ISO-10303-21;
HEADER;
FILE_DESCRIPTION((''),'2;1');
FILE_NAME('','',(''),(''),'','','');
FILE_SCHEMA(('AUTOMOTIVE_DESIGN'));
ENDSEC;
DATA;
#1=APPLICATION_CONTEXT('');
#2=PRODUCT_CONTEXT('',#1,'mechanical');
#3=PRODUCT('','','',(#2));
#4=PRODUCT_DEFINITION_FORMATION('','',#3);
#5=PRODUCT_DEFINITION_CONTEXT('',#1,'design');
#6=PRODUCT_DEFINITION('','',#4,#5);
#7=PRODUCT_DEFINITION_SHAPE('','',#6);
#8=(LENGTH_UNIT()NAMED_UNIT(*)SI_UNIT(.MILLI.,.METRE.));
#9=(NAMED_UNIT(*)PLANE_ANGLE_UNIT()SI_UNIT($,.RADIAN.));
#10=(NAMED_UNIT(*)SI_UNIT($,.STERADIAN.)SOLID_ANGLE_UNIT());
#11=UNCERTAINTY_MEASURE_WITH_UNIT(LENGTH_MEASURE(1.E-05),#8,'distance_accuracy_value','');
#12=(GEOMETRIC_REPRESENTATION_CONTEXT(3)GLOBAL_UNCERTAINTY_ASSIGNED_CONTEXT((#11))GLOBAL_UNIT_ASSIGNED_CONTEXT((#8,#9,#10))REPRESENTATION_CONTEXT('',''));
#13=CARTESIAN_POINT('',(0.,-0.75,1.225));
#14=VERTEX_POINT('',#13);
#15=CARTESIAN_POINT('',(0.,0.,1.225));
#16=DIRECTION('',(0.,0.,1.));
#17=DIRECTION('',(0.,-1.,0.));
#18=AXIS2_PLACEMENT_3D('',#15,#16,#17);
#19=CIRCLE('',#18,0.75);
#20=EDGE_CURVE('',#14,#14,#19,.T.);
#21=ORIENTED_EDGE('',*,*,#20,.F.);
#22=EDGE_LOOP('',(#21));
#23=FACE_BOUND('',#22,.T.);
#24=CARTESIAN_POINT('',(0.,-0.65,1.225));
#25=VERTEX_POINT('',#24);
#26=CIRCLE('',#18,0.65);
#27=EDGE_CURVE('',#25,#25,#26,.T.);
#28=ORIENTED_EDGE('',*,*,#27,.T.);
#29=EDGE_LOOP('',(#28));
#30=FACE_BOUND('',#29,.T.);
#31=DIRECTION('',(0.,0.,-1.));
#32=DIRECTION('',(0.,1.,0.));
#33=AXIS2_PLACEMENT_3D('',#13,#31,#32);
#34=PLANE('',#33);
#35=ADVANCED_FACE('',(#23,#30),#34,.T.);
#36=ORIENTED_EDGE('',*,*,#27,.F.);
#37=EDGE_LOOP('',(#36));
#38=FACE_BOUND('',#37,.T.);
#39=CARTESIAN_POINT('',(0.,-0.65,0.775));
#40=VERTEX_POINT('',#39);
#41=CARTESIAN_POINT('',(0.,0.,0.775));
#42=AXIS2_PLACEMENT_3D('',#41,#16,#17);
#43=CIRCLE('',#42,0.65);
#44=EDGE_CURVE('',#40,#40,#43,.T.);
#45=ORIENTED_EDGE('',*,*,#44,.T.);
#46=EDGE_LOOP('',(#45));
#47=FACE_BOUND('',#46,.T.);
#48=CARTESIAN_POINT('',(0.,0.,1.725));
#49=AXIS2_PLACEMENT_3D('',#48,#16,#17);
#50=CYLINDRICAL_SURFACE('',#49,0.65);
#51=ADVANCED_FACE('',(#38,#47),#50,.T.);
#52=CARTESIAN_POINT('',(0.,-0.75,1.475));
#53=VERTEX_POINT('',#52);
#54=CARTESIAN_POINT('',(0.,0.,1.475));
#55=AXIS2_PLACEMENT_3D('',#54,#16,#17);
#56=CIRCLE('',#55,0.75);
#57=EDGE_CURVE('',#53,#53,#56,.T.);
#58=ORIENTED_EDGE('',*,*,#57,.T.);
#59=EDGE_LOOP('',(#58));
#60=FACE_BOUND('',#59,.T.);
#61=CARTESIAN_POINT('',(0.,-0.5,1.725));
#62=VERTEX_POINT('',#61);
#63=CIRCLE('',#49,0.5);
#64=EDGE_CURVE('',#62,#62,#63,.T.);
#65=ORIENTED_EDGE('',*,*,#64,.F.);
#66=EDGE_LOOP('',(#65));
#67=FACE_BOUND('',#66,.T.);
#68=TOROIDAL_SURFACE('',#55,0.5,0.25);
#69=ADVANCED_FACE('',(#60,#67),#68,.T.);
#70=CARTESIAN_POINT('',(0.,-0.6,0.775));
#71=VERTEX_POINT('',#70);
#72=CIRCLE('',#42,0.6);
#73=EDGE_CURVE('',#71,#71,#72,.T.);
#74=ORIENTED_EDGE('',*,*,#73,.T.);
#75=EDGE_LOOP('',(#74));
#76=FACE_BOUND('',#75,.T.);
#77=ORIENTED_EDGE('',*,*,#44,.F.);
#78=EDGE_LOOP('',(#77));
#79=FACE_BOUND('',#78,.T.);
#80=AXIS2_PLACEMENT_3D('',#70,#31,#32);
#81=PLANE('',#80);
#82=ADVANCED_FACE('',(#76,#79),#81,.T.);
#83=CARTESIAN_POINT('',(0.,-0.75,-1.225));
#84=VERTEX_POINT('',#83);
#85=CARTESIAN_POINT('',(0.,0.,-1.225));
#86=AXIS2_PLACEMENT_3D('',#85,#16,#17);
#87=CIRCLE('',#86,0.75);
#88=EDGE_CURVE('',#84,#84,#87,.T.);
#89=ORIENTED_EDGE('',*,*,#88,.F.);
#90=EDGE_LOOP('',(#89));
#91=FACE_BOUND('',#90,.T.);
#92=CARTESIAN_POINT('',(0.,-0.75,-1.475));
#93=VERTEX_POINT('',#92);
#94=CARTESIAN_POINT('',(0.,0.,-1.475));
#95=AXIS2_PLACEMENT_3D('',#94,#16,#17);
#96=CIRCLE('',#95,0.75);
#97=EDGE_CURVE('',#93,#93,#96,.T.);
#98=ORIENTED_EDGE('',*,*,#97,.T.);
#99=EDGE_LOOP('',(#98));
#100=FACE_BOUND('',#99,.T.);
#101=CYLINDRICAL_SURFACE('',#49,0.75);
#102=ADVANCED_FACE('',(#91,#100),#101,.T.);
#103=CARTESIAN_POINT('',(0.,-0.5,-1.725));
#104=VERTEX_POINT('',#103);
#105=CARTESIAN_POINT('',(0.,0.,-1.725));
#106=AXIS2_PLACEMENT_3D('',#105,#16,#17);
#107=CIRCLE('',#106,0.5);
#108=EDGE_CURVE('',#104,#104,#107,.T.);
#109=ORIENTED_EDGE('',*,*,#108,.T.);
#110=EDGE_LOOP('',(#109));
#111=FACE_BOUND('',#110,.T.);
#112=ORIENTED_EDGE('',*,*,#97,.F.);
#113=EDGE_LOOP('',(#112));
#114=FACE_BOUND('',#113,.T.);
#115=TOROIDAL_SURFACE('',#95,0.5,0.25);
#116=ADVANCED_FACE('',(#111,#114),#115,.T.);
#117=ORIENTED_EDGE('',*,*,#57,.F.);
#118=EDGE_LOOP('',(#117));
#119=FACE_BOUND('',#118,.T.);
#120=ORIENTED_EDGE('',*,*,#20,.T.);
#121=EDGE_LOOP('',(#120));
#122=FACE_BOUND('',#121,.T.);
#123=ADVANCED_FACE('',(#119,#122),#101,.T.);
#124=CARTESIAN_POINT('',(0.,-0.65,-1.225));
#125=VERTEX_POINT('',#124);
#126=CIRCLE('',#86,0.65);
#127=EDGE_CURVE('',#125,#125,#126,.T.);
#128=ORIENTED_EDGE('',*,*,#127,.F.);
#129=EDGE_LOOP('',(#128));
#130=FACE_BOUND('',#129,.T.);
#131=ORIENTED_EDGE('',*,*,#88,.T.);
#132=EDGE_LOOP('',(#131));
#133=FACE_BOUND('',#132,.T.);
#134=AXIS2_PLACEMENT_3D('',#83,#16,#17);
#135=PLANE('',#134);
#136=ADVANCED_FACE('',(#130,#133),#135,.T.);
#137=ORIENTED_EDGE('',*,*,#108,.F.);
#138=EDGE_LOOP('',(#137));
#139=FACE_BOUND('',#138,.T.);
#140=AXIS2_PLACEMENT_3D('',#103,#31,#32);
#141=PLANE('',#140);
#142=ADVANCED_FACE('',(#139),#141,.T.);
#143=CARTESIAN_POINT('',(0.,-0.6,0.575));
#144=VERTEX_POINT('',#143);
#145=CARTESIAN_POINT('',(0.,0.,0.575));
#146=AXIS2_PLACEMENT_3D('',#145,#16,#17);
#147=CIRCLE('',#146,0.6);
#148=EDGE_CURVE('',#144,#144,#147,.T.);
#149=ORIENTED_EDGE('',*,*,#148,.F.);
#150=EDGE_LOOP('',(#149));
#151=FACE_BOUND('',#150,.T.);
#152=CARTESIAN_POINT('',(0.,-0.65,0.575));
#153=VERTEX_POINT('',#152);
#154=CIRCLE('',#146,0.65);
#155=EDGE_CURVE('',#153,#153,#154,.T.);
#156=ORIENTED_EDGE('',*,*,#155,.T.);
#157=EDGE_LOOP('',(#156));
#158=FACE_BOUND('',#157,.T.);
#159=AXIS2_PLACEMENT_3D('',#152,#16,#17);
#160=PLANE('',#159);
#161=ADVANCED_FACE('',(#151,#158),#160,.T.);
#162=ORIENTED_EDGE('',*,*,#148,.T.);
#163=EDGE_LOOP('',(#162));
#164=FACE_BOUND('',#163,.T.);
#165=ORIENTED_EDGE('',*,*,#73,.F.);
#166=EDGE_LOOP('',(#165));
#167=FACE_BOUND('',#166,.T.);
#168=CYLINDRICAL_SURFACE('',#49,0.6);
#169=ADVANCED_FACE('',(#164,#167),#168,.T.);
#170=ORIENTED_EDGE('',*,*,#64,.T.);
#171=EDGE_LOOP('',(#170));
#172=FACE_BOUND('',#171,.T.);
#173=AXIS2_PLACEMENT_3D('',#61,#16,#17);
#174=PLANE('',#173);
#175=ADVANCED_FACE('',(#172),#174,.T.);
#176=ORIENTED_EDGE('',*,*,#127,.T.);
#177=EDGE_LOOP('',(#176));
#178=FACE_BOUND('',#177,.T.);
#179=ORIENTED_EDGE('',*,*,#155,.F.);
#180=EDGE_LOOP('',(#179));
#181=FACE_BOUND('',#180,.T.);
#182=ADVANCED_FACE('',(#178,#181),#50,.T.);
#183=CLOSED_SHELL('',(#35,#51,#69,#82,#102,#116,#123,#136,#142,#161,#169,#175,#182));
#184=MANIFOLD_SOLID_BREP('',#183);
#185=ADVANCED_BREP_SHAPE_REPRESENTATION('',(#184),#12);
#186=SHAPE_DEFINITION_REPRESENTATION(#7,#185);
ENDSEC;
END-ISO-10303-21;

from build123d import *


with BuildPart() as part:
    # Sketch1 → Revolve1 (revolve)
    with BuildSketch(Plane(origin=(0, 0, 0), x_dir=(0, 0, -1), z_dir=(1, 0, 0))):
        with BuildLine():
            Line((-1.475, -0.75), (-1.225, -0.75))
            Line((-1.225, -0.75), (-1.225, -0.65))
            Line((-1.225, -0.65), (-0.775, -0.65))
            Line((-0.775, -0.65), (-0.775, -0.6))
            Line((-0.775, -0.6), (-0.575, -0.6))
            Line((-0.575, -0.6), (-0.575, -0.65))
            Line((-0.575, -0.65), (0.775, -0.65))
            Line((0.775, -0.65), (1.225, -0.65))
            Line((1.225, -0.65), (1.225, -0.75))
            Line((1.225, -0.75), (1.475, -0.75))
            ThreePointArc((1.475, -0.75), (1.651776695, -0.676776695), (1.725, -0.5))
            Line((1.725, -0.5), (1.725, 0))
            Line((1.725, 0), (-1.725, 0))
            Line((-1.725, 0), (-1.725, -0.5))
            ThreePointArc((-1.725, -0.5), (-1.651776695, -0.676776695), (-1.475, -0.75))
        make_face()
    revolve(axis=Axis((0, 0, 1.725), (0, 0, -1)))


solid = part.part
